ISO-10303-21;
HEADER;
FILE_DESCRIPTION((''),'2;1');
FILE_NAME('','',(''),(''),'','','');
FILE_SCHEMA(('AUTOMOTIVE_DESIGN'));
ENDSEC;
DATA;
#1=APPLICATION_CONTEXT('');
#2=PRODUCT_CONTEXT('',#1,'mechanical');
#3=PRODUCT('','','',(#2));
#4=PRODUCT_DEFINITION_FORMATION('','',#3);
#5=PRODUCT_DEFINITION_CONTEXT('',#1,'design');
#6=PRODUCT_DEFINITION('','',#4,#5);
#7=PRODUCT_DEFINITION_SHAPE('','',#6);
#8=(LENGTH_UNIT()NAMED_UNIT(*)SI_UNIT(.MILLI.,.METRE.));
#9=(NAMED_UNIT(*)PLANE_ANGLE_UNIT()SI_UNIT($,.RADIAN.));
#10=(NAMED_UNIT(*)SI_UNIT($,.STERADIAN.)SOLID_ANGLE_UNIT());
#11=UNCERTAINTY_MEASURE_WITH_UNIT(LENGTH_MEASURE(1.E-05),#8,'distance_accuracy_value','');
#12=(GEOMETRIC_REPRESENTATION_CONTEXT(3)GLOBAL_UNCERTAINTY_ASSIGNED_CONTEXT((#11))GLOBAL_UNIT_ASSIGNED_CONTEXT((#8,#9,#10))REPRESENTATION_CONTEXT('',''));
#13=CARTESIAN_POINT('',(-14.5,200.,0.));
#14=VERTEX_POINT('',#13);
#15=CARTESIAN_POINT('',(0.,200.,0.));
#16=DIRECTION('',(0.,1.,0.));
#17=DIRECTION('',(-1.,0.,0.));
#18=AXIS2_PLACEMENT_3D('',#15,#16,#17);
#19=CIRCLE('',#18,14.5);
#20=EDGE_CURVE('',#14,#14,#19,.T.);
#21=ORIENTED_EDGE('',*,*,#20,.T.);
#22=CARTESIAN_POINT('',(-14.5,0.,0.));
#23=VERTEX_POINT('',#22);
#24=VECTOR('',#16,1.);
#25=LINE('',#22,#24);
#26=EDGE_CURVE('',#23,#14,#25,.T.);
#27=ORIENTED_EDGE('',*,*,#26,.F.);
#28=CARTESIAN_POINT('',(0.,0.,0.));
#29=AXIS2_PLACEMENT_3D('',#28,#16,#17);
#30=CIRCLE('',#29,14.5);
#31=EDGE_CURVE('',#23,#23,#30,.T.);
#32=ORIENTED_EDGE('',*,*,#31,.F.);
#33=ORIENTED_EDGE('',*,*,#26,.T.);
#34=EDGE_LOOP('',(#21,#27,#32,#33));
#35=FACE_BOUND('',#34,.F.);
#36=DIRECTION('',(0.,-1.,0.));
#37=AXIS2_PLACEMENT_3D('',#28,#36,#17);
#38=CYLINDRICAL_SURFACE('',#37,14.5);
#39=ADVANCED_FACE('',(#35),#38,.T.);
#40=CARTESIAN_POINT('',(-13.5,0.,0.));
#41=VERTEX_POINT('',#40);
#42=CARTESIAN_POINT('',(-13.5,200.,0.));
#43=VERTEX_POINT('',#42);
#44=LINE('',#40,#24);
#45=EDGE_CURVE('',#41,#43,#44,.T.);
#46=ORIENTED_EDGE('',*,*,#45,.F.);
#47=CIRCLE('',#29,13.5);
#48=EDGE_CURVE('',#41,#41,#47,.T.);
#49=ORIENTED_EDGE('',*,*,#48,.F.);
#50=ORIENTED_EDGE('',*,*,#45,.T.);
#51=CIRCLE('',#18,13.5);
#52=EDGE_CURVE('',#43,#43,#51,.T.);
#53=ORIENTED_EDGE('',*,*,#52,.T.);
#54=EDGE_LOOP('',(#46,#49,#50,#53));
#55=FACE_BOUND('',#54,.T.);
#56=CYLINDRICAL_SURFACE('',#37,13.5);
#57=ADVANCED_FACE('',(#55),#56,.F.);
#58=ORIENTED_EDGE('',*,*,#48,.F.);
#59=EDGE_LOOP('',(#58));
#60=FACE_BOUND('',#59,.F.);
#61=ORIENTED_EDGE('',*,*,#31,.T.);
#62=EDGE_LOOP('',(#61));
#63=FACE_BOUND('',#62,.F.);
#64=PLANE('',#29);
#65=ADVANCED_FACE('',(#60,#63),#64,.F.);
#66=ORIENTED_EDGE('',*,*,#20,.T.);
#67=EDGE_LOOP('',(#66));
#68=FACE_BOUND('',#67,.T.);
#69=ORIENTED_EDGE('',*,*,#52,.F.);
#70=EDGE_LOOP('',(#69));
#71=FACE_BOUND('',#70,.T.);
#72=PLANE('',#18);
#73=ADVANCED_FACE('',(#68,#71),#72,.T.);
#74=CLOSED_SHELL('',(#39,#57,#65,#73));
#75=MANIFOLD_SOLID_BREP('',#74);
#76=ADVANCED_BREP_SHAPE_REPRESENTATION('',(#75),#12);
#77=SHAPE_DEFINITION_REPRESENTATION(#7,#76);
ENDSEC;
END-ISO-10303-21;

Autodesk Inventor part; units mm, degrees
ref_plane "YZ Plane" through (0, 0, 0) normal (1, 0, 0) x (0, 1, 0)
ref_plane "XZ Plane" through (0, 0, 0) normal (0, 1, 0) x (-1, 0, 0)
ref_plane "XY Plane" through (0, 0, 0) normal (0, 0, 1) x (1, 0, 0)
sketch "Sketch1" plane through (0, 0, 0) normal (0, 1, 0) x (-1, 0, 0)
  circle A0 centre (0, 0) radius 14.5
  circle A1 centre (0, 0) radius 13.5
  dimension "d0" = 29
  dimension "d1" = 27
extrude "Extrusion1" add sketch "Sketch1" along normal blind 200
properties part number "pipe 1" material "PVC-Piping"
